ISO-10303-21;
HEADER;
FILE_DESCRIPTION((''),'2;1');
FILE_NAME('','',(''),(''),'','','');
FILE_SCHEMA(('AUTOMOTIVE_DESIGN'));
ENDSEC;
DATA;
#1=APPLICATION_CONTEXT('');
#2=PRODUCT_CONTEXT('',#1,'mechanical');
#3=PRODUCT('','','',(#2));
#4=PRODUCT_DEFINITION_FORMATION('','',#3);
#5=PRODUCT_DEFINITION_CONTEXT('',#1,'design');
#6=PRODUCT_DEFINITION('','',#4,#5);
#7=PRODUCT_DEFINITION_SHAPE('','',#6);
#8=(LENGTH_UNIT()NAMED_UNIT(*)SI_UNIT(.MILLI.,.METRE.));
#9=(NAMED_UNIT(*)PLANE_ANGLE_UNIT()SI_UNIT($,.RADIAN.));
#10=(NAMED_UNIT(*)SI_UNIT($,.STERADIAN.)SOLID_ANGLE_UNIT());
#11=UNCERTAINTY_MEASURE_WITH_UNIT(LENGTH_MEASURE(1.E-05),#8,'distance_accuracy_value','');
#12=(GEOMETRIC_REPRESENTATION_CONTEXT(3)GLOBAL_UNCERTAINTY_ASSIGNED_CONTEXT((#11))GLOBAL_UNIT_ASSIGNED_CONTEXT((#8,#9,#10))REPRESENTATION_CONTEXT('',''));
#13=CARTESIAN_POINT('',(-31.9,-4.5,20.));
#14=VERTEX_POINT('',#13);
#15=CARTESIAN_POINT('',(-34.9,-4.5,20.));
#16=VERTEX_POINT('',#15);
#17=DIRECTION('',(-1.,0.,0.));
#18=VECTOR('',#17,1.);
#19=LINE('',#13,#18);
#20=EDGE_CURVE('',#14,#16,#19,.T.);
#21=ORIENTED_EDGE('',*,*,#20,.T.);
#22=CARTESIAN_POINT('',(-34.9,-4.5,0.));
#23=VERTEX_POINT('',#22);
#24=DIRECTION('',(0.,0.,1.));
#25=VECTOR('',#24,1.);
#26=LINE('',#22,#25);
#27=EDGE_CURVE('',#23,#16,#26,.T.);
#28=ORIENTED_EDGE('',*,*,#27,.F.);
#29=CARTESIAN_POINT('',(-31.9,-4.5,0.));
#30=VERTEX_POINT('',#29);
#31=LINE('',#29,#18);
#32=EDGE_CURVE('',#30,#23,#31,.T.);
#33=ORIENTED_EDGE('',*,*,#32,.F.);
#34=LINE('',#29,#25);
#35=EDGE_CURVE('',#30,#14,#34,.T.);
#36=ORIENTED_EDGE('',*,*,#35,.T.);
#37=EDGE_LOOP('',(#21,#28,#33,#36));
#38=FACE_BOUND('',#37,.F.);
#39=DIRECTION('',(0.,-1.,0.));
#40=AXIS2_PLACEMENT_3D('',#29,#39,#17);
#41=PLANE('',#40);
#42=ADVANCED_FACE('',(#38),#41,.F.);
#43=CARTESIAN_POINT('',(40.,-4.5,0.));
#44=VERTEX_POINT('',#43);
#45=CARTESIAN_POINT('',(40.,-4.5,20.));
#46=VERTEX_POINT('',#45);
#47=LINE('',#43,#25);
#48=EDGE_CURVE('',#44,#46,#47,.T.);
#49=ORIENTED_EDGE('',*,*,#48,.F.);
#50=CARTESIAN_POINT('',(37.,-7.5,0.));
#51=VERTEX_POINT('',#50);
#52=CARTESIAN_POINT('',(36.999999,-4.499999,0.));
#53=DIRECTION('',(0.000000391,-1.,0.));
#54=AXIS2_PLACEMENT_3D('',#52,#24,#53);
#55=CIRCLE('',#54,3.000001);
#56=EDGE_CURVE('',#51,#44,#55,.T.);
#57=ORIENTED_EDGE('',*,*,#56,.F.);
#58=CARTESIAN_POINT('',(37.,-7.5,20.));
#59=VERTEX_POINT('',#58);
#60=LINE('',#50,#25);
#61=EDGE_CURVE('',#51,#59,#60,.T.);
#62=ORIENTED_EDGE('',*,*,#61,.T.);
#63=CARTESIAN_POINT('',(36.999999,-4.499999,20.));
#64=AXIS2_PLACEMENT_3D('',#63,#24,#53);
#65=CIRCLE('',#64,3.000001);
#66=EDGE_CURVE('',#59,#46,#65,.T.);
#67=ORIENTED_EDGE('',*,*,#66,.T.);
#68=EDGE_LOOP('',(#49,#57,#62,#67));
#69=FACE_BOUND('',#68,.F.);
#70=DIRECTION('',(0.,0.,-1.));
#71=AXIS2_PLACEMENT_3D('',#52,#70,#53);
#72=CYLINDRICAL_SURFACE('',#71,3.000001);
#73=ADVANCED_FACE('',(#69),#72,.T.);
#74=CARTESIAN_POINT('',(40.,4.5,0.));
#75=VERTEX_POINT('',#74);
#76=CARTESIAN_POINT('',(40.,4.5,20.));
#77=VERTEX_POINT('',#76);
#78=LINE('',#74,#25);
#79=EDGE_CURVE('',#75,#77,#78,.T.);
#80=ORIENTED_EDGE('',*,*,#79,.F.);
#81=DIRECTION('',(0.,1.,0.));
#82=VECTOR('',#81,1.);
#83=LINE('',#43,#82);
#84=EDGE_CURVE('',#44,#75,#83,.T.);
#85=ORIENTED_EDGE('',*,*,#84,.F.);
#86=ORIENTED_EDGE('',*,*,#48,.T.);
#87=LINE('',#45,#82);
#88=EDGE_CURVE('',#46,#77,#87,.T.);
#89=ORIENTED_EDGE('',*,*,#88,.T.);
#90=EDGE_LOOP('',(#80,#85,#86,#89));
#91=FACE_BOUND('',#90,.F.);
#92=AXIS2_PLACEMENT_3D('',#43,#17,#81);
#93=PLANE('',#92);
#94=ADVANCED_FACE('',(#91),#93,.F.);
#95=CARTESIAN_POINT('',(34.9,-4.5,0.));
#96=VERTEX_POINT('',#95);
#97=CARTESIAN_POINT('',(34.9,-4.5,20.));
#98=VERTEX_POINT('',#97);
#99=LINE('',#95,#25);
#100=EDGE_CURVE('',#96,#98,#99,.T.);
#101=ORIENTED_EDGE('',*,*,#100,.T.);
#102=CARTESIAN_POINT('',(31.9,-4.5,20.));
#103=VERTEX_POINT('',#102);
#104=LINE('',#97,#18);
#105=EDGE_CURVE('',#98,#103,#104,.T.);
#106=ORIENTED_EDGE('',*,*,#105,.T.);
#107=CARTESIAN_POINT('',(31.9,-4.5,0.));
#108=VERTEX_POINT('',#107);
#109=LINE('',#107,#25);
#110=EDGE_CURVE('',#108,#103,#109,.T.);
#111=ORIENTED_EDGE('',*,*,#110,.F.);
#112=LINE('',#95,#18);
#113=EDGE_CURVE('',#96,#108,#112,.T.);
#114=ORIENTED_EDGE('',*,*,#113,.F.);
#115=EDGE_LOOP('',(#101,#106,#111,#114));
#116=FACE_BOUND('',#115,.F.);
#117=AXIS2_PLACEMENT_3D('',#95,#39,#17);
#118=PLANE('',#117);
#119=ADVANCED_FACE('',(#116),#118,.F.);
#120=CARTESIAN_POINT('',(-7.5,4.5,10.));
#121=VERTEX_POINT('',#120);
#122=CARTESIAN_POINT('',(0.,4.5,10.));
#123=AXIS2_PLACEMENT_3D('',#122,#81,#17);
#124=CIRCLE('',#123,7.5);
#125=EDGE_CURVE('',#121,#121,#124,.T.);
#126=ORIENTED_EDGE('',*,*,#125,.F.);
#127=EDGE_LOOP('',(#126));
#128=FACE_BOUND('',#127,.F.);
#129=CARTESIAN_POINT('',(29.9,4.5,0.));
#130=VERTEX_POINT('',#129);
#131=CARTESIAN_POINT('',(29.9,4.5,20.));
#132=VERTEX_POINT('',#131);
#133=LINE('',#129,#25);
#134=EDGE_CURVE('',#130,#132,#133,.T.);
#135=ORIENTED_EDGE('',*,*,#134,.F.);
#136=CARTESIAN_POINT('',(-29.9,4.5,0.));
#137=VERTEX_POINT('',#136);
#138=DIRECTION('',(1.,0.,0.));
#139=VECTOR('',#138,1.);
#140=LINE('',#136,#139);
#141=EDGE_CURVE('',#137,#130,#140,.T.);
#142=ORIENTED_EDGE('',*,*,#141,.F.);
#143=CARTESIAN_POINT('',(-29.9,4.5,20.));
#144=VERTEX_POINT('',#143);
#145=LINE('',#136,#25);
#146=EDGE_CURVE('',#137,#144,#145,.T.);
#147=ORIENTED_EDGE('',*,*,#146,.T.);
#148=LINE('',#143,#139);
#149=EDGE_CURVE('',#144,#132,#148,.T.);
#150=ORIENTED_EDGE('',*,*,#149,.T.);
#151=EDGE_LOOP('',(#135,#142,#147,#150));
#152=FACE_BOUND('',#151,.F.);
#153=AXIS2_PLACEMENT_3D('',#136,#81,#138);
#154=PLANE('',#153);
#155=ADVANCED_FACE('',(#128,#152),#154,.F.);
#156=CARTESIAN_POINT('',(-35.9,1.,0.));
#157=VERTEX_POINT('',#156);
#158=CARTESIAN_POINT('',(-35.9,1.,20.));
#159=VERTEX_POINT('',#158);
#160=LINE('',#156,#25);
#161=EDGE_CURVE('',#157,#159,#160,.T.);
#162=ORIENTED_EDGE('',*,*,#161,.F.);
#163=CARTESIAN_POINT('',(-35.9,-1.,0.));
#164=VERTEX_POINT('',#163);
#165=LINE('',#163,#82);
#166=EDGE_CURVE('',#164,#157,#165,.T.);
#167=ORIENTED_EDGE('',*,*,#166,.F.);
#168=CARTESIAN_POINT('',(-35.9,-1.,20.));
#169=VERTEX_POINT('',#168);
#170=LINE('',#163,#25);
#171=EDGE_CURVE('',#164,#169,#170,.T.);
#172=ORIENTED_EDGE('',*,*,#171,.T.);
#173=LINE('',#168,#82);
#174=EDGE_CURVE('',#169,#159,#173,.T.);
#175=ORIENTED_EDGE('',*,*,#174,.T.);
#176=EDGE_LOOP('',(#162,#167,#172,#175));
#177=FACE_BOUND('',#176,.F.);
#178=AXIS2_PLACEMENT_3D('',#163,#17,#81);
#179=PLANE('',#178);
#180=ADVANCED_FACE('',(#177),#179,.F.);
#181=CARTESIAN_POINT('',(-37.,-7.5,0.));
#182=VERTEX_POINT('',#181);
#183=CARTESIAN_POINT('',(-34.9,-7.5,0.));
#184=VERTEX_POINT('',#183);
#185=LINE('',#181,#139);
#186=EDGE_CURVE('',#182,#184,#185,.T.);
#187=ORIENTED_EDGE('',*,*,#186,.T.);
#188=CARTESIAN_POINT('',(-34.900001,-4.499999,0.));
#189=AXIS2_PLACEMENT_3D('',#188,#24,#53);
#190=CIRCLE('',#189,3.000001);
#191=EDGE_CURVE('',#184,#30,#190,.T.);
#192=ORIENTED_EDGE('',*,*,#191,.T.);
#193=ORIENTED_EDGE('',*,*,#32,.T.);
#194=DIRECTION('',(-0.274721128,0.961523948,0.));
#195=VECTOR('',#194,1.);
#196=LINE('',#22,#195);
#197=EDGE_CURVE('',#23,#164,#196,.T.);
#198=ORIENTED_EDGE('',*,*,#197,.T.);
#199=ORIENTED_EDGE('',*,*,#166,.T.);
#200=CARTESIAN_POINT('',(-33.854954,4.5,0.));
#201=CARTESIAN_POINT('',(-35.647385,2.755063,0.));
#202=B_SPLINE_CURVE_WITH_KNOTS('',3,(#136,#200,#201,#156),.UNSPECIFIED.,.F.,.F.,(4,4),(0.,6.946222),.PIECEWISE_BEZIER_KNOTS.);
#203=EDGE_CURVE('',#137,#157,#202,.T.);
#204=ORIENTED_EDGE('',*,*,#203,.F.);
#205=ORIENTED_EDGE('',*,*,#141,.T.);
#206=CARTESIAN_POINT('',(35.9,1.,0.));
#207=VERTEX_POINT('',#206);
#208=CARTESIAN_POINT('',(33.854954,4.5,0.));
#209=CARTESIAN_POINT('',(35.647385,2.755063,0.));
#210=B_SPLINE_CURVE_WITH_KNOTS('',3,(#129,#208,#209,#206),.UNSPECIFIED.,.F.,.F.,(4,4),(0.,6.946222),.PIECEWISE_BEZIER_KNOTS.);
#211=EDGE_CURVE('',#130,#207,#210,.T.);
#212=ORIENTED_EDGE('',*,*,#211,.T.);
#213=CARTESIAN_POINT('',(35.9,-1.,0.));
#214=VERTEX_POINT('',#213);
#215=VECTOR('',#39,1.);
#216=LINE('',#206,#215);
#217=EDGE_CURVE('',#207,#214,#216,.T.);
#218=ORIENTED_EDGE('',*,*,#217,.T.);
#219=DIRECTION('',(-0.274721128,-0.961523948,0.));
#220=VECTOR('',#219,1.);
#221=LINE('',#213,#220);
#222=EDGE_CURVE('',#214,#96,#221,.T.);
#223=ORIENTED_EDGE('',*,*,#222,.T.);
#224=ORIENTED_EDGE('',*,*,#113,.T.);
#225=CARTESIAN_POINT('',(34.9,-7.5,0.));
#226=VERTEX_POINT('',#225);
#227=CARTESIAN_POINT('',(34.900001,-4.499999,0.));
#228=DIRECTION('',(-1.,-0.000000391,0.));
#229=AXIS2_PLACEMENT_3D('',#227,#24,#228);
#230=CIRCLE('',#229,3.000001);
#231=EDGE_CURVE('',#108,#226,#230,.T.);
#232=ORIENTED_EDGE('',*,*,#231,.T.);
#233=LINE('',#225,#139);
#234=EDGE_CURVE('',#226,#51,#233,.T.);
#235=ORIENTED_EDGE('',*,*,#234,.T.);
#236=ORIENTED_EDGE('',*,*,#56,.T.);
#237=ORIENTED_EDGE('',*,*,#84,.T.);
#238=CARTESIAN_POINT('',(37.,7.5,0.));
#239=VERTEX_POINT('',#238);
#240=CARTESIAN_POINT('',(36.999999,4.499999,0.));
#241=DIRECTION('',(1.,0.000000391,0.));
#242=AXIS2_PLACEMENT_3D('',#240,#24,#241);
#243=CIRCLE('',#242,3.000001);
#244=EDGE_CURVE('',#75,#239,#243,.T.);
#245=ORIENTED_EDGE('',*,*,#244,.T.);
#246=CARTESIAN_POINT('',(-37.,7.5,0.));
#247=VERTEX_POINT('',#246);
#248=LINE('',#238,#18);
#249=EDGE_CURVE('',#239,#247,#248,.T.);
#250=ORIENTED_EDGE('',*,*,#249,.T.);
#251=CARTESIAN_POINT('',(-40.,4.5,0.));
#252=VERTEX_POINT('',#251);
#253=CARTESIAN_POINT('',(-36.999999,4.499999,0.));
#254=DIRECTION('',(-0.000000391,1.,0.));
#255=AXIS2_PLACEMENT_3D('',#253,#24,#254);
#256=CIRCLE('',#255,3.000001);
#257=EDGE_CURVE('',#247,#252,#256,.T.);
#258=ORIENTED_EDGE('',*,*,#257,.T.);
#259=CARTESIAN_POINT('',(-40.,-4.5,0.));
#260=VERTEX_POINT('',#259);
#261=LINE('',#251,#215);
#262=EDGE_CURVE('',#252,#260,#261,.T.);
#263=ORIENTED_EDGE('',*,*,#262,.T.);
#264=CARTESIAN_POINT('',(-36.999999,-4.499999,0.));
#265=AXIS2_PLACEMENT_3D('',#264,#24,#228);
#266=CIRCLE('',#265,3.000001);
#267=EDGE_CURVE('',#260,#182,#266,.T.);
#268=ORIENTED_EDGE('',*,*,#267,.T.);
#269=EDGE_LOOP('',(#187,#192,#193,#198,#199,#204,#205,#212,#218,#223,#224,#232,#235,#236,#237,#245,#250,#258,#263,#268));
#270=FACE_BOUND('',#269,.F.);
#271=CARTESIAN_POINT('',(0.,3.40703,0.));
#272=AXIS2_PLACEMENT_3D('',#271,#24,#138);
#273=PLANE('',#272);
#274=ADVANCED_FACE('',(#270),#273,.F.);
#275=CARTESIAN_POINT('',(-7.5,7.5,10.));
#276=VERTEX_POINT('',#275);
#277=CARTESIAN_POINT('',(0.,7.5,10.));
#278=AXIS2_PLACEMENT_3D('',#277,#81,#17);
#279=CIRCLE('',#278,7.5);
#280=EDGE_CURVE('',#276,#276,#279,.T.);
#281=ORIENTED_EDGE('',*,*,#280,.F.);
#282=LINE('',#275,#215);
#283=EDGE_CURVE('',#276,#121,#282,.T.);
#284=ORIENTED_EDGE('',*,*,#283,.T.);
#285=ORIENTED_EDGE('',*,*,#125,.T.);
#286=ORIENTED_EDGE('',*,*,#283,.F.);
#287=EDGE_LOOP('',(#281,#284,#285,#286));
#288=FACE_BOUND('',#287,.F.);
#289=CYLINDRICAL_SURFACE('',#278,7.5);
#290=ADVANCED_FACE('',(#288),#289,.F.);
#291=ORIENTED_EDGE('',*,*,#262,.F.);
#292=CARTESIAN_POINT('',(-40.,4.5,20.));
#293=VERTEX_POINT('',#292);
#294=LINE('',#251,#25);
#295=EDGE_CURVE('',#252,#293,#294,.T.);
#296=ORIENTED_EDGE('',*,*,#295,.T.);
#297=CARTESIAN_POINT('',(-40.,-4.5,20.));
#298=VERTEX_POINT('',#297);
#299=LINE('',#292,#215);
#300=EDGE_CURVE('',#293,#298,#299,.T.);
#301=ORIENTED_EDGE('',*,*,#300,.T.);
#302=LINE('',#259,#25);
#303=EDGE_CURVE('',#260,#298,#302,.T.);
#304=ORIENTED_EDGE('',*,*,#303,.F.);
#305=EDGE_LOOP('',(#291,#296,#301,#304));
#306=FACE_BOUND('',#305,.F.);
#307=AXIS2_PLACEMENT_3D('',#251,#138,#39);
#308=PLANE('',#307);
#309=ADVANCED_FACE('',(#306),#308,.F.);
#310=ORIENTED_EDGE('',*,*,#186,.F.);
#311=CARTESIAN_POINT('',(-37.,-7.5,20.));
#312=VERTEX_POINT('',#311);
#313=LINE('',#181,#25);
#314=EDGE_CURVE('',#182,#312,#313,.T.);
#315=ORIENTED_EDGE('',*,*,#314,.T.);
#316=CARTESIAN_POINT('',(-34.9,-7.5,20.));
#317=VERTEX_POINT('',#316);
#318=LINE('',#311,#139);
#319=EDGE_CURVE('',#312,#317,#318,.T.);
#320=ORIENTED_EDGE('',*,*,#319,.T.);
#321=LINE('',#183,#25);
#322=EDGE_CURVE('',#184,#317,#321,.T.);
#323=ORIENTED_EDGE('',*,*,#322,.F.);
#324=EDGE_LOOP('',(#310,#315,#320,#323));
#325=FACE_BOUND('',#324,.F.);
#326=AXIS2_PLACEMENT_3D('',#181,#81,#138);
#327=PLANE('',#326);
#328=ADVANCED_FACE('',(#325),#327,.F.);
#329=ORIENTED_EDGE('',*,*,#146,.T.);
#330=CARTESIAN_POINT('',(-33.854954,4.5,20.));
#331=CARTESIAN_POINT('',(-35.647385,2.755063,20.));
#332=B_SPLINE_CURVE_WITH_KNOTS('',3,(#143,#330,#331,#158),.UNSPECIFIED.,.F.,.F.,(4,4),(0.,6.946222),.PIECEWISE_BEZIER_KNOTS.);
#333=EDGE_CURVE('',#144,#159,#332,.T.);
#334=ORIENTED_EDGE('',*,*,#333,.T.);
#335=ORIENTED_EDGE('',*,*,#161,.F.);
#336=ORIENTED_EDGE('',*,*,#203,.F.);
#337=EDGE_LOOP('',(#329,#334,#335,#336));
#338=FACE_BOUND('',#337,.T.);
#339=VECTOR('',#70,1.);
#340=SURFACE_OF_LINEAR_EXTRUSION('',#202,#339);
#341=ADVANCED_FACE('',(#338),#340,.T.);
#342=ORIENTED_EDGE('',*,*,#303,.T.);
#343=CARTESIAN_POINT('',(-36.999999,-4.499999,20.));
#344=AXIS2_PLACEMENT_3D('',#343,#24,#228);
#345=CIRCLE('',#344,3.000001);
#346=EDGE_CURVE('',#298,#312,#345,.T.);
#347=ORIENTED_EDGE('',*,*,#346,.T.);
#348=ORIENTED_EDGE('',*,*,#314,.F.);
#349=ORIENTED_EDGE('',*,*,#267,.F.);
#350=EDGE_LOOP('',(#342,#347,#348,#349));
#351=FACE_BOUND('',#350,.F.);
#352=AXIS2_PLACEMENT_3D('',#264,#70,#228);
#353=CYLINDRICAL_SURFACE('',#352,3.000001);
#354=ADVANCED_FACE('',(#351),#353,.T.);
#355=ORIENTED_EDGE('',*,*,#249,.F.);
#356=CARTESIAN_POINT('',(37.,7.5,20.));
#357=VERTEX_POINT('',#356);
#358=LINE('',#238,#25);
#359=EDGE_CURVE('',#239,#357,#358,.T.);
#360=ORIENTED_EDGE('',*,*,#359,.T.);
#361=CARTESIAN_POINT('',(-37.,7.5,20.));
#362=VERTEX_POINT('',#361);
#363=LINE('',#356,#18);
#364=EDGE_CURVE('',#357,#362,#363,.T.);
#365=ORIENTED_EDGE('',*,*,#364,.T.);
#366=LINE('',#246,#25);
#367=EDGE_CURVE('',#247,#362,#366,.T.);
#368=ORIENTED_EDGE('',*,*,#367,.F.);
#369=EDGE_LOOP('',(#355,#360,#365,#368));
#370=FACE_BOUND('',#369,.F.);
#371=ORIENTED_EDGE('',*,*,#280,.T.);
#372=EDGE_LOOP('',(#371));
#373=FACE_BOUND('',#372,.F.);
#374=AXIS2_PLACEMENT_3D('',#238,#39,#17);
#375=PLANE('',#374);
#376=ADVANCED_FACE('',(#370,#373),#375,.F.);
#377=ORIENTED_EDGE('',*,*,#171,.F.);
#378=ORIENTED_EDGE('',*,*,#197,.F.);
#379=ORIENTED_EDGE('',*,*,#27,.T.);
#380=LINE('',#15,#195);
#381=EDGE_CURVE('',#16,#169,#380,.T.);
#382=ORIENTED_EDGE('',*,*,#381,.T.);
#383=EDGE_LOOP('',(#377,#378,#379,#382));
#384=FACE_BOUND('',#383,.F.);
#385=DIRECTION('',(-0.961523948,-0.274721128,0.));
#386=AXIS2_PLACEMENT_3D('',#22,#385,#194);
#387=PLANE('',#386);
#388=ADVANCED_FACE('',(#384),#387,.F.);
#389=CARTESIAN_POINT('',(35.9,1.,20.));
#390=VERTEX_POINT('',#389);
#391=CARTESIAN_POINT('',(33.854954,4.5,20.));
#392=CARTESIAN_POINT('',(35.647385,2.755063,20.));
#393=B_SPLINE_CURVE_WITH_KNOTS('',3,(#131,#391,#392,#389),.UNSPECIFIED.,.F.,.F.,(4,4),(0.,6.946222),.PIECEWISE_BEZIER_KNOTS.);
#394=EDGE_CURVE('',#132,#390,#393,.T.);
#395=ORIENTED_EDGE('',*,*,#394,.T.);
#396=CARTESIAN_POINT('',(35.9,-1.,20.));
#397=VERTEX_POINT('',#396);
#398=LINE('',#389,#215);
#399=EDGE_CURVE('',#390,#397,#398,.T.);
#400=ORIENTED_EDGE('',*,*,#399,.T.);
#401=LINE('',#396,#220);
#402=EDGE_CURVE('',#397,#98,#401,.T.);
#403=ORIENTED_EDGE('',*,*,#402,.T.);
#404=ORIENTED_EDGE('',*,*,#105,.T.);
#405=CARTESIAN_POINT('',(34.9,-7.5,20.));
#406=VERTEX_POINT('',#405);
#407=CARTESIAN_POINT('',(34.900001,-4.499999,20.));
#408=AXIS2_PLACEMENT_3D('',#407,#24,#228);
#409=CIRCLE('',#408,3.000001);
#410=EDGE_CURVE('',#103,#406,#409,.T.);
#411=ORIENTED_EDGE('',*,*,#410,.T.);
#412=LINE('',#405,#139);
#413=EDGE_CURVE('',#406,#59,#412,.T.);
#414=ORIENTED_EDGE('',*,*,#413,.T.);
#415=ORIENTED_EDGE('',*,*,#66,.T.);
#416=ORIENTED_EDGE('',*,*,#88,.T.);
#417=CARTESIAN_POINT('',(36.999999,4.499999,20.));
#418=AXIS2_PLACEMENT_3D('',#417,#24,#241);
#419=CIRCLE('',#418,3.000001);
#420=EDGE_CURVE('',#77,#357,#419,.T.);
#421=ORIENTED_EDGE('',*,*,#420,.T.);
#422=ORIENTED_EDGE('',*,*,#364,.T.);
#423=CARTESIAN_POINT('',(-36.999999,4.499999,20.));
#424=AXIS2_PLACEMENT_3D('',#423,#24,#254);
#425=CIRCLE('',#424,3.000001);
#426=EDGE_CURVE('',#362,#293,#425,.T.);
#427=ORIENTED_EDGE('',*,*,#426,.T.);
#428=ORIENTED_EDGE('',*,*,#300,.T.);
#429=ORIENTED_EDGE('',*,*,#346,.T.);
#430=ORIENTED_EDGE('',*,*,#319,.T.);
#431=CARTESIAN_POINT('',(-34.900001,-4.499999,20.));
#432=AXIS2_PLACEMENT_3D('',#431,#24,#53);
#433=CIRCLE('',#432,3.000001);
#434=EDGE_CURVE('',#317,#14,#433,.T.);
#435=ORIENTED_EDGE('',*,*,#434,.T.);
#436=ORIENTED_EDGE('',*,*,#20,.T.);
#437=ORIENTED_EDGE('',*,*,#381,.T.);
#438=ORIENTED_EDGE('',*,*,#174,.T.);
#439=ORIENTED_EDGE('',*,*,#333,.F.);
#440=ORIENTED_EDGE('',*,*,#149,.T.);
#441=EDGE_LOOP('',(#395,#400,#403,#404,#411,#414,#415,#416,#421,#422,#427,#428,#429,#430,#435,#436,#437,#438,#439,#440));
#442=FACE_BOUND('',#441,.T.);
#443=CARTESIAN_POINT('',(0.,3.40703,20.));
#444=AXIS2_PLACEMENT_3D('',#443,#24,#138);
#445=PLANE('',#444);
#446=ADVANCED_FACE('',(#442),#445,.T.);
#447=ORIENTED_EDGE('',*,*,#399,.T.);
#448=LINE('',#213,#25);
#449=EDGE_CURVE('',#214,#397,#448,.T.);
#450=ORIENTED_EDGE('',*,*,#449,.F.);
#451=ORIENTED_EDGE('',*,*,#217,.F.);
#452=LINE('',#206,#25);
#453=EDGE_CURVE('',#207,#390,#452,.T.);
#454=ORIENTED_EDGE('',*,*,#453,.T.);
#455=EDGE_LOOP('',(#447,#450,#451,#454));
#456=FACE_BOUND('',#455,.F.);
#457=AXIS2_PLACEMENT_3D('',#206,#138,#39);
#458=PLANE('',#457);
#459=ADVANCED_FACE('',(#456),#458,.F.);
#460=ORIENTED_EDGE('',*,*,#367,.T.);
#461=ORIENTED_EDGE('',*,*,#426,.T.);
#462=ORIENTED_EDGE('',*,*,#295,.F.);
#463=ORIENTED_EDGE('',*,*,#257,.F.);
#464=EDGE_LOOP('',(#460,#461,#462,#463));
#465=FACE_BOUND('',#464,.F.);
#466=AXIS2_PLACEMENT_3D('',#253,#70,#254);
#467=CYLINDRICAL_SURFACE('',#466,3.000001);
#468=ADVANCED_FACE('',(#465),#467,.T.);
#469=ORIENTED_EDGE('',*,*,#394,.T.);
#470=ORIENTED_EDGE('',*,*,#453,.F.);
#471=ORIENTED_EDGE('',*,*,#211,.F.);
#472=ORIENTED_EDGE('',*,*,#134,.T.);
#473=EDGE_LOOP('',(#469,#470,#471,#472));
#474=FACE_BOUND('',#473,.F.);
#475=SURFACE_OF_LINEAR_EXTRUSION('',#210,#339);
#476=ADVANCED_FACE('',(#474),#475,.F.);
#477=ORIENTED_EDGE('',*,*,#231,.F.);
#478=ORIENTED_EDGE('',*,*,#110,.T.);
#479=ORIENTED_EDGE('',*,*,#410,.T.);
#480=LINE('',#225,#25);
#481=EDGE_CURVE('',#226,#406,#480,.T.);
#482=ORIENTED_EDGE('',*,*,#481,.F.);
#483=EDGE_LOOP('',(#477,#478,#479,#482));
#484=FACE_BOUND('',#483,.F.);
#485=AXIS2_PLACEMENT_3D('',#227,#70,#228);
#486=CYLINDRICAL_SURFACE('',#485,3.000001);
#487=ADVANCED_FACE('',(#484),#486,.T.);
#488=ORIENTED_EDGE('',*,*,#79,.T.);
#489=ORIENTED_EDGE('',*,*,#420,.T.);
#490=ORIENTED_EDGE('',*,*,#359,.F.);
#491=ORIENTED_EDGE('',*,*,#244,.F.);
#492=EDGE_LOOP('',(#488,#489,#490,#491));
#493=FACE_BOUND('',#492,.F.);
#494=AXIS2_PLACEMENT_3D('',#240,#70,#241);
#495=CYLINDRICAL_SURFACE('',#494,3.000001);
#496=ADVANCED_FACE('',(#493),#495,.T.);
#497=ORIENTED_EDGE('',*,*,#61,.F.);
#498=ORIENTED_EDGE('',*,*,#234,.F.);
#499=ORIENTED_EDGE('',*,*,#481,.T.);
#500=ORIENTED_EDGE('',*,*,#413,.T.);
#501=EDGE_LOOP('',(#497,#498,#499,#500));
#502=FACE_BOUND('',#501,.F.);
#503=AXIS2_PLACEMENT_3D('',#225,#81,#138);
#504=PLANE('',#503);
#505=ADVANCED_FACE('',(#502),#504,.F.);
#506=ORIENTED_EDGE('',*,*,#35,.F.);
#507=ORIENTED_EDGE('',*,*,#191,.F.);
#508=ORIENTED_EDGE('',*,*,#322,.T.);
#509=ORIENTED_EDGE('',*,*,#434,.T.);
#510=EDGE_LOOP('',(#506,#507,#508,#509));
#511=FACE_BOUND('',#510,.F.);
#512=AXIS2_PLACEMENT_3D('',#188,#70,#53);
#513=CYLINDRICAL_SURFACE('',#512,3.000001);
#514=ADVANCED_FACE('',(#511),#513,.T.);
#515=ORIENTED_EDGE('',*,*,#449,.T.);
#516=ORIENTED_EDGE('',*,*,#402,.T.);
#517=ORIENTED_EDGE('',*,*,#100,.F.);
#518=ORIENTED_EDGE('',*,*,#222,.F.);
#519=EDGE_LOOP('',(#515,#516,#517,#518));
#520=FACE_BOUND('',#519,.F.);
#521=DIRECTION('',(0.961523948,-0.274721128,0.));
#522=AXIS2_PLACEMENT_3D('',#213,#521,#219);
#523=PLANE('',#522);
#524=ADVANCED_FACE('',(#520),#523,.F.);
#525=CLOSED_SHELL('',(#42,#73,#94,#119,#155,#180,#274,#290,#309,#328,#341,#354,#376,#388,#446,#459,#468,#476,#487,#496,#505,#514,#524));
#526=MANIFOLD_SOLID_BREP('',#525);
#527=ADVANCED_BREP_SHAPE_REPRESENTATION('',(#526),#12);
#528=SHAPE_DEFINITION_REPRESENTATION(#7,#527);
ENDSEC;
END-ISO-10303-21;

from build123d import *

# Parameters (mm, degrees)
F1_DEPTH = 20
F2_R     = 7.5
F3_DEPTH = 25


with BuildPart() as f1:
    # F0 (on Top) → F1 (new body)
    with BuildSketch(Plane.XY):
        with BuildLine():
            ThreePointArc((40, 4.5), (39.12132, 6.62132), (37, 7.5))
            Line((37, 7.5), (-37, 7.5))
            ThreePointArc((-37, 7.5), (-39.12132, 6.62132), (-40, 4.5))
            Line((-40, 4.5), (-40, -4.5))
            ThreePointArc((-40, -4.5), (-39.12132, -6.62132), (-37, -7.5))
            Line((-37, -7.5), (-34.9, -7.5))
            ThreePointArc((-34.9, -7.5), (-32.77868, -6.62132), (-31.9, -4.5))
            Line((-31.9, -4.5), (-34.9, -4.5))
            Line((-34.9, -4.5), (-35.9, -1))
            Line((-35.9, -1), (-35.9, 1))
            add(Edge.make_bspline(
                [(-29.9, 4.5), (-33.854954, 4.5), (-35.647385, 2.755063), (-35.9, 1)],
                knots=[0, 0, 0, 0, 6.946222, 6.946222, 6.946222, 6.946222], degree=3))
            Line((-29.9, 4.5), (29.9, 4.5))
            add(Edge.make_bspline(
                [(29.9, 4.5), (33.854954, 4.5), (35.647385, 2.755063), (35.9, 1)],
                knots=[0, 0, 0, 0, 6.946222, 6.946222, 6.946222, 6.946222], degree=3))
            Line((35.9, 1), (35.9, -1))
            Line((35.9, -1), (34.9, -4.5))
            Line((34.9, -4.5), (31.9, -4.5))
            ThreePointArc((31.9, -4.5), (32.77868, -6.62132), (34.9, -7.5))
            Line((34.9, -7.5), (37, -7.5))
            ThreePointArc((37, -7.5), (39.12132, -6.62132), (40, -4.5))
            Line((40, -4.5), (40, 4.5))
        make_face()
    extrude(amount=F1_DEPTH)

    # F2 (on face) → F3 (cut)
    with BuildSketch(Plane(origin=(0, 7.5, 0), x_dir=(-1, 0, 0), z_dir=(0, 1, 0))):
        with Locations((0, 10)):
            Circle(F2_R)
    extrude(amount=-F3_DEPTH, mode=Mode.SUBTRACT)


solid = f1.part
